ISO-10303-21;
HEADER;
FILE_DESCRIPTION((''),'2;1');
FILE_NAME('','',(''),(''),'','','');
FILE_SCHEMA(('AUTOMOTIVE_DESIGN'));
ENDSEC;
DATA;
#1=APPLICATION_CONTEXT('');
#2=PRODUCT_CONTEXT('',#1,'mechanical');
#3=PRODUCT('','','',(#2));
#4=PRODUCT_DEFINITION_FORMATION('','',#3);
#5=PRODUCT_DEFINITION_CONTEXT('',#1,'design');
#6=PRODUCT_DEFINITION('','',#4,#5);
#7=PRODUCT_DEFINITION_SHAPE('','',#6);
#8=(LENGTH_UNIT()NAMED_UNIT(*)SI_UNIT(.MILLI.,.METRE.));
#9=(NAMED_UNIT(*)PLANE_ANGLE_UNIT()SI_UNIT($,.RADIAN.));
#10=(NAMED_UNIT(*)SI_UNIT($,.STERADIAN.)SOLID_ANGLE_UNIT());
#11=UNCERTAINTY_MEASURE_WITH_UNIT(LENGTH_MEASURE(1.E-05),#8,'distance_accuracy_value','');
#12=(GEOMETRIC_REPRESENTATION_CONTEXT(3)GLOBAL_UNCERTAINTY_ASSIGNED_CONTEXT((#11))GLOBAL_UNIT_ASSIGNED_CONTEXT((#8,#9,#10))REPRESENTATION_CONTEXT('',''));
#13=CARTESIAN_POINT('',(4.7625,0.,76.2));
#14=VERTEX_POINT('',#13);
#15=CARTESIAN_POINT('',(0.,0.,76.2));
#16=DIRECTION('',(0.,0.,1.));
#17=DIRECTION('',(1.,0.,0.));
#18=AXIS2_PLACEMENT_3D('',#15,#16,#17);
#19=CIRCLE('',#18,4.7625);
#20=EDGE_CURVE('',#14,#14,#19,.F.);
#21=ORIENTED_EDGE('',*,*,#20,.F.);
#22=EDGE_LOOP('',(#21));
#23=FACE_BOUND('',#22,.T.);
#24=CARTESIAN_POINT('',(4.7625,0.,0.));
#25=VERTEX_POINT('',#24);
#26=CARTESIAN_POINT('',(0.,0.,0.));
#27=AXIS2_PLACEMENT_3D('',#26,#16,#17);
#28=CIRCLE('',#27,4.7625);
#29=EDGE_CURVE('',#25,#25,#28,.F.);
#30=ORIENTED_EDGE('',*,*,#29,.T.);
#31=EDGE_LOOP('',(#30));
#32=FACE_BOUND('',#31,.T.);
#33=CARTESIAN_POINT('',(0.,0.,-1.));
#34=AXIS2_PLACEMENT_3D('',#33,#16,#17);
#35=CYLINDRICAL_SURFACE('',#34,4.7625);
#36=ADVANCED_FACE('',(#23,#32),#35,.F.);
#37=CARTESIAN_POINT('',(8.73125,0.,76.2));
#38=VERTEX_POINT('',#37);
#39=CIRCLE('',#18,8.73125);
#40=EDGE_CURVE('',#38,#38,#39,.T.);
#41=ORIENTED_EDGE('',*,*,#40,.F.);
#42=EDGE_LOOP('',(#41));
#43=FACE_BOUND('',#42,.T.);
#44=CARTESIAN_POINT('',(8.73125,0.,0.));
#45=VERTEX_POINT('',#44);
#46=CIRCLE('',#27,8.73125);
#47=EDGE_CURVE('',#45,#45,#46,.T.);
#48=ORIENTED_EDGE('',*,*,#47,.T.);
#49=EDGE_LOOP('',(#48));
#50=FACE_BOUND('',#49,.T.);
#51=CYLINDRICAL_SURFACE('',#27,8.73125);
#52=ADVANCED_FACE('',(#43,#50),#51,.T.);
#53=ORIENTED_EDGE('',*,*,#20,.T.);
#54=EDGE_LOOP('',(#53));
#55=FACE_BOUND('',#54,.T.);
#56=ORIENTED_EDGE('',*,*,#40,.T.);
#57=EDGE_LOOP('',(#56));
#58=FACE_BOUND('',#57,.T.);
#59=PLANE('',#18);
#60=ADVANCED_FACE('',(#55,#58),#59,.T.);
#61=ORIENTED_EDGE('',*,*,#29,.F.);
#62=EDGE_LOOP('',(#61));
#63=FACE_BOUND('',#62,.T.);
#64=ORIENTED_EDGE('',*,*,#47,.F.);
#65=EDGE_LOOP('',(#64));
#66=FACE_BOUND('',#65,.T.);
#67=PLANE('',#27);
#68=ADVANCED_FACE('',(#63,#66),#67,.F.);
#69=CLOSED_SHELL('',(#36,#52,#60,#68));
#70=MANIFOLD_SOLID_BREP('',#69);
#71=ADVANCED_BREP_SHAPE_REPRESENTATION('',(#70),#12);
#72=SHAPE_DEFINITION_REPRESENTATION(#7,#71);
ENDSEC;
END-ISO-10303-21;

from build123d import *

# Parameters (mm, degrees)
SWEEP1_PROFILE_R     = 8.73125
CUT_SWEEP1_PROFILE_R = 4.7625


with BuildPart() as part:
    # Sweep1: sweep along a curve in space
    with BuildLine() as sweep1_path:
        Line((0, 0, 0), (0, 0, 76.2))
    # Sweep1 profile (on start of the path) → Sweep1 (sweep)
    with BuildSketch(Plane.XY):
        Circle(SWEEP1_PROFILE_R)
    sweep(path=sweep1_path.line)

    # Cut-Sweep1: sweep along a curve in space
    with BuildLine() as cut_sweep1_path:
        Line((0, 0, 0), (0, 0, 76.2))
    # Cut-Sweep1 profile (on start of the path) → Cut-Sweep1 (sweep, cut)
    with BuildSketch(Plane.XY):
        Circle(CUT_SWEEP1_PROFILE_R)
    sweep(path=cut_sweep1_path.line, mode=Mode.SUBTRACT)


solid = part.part
